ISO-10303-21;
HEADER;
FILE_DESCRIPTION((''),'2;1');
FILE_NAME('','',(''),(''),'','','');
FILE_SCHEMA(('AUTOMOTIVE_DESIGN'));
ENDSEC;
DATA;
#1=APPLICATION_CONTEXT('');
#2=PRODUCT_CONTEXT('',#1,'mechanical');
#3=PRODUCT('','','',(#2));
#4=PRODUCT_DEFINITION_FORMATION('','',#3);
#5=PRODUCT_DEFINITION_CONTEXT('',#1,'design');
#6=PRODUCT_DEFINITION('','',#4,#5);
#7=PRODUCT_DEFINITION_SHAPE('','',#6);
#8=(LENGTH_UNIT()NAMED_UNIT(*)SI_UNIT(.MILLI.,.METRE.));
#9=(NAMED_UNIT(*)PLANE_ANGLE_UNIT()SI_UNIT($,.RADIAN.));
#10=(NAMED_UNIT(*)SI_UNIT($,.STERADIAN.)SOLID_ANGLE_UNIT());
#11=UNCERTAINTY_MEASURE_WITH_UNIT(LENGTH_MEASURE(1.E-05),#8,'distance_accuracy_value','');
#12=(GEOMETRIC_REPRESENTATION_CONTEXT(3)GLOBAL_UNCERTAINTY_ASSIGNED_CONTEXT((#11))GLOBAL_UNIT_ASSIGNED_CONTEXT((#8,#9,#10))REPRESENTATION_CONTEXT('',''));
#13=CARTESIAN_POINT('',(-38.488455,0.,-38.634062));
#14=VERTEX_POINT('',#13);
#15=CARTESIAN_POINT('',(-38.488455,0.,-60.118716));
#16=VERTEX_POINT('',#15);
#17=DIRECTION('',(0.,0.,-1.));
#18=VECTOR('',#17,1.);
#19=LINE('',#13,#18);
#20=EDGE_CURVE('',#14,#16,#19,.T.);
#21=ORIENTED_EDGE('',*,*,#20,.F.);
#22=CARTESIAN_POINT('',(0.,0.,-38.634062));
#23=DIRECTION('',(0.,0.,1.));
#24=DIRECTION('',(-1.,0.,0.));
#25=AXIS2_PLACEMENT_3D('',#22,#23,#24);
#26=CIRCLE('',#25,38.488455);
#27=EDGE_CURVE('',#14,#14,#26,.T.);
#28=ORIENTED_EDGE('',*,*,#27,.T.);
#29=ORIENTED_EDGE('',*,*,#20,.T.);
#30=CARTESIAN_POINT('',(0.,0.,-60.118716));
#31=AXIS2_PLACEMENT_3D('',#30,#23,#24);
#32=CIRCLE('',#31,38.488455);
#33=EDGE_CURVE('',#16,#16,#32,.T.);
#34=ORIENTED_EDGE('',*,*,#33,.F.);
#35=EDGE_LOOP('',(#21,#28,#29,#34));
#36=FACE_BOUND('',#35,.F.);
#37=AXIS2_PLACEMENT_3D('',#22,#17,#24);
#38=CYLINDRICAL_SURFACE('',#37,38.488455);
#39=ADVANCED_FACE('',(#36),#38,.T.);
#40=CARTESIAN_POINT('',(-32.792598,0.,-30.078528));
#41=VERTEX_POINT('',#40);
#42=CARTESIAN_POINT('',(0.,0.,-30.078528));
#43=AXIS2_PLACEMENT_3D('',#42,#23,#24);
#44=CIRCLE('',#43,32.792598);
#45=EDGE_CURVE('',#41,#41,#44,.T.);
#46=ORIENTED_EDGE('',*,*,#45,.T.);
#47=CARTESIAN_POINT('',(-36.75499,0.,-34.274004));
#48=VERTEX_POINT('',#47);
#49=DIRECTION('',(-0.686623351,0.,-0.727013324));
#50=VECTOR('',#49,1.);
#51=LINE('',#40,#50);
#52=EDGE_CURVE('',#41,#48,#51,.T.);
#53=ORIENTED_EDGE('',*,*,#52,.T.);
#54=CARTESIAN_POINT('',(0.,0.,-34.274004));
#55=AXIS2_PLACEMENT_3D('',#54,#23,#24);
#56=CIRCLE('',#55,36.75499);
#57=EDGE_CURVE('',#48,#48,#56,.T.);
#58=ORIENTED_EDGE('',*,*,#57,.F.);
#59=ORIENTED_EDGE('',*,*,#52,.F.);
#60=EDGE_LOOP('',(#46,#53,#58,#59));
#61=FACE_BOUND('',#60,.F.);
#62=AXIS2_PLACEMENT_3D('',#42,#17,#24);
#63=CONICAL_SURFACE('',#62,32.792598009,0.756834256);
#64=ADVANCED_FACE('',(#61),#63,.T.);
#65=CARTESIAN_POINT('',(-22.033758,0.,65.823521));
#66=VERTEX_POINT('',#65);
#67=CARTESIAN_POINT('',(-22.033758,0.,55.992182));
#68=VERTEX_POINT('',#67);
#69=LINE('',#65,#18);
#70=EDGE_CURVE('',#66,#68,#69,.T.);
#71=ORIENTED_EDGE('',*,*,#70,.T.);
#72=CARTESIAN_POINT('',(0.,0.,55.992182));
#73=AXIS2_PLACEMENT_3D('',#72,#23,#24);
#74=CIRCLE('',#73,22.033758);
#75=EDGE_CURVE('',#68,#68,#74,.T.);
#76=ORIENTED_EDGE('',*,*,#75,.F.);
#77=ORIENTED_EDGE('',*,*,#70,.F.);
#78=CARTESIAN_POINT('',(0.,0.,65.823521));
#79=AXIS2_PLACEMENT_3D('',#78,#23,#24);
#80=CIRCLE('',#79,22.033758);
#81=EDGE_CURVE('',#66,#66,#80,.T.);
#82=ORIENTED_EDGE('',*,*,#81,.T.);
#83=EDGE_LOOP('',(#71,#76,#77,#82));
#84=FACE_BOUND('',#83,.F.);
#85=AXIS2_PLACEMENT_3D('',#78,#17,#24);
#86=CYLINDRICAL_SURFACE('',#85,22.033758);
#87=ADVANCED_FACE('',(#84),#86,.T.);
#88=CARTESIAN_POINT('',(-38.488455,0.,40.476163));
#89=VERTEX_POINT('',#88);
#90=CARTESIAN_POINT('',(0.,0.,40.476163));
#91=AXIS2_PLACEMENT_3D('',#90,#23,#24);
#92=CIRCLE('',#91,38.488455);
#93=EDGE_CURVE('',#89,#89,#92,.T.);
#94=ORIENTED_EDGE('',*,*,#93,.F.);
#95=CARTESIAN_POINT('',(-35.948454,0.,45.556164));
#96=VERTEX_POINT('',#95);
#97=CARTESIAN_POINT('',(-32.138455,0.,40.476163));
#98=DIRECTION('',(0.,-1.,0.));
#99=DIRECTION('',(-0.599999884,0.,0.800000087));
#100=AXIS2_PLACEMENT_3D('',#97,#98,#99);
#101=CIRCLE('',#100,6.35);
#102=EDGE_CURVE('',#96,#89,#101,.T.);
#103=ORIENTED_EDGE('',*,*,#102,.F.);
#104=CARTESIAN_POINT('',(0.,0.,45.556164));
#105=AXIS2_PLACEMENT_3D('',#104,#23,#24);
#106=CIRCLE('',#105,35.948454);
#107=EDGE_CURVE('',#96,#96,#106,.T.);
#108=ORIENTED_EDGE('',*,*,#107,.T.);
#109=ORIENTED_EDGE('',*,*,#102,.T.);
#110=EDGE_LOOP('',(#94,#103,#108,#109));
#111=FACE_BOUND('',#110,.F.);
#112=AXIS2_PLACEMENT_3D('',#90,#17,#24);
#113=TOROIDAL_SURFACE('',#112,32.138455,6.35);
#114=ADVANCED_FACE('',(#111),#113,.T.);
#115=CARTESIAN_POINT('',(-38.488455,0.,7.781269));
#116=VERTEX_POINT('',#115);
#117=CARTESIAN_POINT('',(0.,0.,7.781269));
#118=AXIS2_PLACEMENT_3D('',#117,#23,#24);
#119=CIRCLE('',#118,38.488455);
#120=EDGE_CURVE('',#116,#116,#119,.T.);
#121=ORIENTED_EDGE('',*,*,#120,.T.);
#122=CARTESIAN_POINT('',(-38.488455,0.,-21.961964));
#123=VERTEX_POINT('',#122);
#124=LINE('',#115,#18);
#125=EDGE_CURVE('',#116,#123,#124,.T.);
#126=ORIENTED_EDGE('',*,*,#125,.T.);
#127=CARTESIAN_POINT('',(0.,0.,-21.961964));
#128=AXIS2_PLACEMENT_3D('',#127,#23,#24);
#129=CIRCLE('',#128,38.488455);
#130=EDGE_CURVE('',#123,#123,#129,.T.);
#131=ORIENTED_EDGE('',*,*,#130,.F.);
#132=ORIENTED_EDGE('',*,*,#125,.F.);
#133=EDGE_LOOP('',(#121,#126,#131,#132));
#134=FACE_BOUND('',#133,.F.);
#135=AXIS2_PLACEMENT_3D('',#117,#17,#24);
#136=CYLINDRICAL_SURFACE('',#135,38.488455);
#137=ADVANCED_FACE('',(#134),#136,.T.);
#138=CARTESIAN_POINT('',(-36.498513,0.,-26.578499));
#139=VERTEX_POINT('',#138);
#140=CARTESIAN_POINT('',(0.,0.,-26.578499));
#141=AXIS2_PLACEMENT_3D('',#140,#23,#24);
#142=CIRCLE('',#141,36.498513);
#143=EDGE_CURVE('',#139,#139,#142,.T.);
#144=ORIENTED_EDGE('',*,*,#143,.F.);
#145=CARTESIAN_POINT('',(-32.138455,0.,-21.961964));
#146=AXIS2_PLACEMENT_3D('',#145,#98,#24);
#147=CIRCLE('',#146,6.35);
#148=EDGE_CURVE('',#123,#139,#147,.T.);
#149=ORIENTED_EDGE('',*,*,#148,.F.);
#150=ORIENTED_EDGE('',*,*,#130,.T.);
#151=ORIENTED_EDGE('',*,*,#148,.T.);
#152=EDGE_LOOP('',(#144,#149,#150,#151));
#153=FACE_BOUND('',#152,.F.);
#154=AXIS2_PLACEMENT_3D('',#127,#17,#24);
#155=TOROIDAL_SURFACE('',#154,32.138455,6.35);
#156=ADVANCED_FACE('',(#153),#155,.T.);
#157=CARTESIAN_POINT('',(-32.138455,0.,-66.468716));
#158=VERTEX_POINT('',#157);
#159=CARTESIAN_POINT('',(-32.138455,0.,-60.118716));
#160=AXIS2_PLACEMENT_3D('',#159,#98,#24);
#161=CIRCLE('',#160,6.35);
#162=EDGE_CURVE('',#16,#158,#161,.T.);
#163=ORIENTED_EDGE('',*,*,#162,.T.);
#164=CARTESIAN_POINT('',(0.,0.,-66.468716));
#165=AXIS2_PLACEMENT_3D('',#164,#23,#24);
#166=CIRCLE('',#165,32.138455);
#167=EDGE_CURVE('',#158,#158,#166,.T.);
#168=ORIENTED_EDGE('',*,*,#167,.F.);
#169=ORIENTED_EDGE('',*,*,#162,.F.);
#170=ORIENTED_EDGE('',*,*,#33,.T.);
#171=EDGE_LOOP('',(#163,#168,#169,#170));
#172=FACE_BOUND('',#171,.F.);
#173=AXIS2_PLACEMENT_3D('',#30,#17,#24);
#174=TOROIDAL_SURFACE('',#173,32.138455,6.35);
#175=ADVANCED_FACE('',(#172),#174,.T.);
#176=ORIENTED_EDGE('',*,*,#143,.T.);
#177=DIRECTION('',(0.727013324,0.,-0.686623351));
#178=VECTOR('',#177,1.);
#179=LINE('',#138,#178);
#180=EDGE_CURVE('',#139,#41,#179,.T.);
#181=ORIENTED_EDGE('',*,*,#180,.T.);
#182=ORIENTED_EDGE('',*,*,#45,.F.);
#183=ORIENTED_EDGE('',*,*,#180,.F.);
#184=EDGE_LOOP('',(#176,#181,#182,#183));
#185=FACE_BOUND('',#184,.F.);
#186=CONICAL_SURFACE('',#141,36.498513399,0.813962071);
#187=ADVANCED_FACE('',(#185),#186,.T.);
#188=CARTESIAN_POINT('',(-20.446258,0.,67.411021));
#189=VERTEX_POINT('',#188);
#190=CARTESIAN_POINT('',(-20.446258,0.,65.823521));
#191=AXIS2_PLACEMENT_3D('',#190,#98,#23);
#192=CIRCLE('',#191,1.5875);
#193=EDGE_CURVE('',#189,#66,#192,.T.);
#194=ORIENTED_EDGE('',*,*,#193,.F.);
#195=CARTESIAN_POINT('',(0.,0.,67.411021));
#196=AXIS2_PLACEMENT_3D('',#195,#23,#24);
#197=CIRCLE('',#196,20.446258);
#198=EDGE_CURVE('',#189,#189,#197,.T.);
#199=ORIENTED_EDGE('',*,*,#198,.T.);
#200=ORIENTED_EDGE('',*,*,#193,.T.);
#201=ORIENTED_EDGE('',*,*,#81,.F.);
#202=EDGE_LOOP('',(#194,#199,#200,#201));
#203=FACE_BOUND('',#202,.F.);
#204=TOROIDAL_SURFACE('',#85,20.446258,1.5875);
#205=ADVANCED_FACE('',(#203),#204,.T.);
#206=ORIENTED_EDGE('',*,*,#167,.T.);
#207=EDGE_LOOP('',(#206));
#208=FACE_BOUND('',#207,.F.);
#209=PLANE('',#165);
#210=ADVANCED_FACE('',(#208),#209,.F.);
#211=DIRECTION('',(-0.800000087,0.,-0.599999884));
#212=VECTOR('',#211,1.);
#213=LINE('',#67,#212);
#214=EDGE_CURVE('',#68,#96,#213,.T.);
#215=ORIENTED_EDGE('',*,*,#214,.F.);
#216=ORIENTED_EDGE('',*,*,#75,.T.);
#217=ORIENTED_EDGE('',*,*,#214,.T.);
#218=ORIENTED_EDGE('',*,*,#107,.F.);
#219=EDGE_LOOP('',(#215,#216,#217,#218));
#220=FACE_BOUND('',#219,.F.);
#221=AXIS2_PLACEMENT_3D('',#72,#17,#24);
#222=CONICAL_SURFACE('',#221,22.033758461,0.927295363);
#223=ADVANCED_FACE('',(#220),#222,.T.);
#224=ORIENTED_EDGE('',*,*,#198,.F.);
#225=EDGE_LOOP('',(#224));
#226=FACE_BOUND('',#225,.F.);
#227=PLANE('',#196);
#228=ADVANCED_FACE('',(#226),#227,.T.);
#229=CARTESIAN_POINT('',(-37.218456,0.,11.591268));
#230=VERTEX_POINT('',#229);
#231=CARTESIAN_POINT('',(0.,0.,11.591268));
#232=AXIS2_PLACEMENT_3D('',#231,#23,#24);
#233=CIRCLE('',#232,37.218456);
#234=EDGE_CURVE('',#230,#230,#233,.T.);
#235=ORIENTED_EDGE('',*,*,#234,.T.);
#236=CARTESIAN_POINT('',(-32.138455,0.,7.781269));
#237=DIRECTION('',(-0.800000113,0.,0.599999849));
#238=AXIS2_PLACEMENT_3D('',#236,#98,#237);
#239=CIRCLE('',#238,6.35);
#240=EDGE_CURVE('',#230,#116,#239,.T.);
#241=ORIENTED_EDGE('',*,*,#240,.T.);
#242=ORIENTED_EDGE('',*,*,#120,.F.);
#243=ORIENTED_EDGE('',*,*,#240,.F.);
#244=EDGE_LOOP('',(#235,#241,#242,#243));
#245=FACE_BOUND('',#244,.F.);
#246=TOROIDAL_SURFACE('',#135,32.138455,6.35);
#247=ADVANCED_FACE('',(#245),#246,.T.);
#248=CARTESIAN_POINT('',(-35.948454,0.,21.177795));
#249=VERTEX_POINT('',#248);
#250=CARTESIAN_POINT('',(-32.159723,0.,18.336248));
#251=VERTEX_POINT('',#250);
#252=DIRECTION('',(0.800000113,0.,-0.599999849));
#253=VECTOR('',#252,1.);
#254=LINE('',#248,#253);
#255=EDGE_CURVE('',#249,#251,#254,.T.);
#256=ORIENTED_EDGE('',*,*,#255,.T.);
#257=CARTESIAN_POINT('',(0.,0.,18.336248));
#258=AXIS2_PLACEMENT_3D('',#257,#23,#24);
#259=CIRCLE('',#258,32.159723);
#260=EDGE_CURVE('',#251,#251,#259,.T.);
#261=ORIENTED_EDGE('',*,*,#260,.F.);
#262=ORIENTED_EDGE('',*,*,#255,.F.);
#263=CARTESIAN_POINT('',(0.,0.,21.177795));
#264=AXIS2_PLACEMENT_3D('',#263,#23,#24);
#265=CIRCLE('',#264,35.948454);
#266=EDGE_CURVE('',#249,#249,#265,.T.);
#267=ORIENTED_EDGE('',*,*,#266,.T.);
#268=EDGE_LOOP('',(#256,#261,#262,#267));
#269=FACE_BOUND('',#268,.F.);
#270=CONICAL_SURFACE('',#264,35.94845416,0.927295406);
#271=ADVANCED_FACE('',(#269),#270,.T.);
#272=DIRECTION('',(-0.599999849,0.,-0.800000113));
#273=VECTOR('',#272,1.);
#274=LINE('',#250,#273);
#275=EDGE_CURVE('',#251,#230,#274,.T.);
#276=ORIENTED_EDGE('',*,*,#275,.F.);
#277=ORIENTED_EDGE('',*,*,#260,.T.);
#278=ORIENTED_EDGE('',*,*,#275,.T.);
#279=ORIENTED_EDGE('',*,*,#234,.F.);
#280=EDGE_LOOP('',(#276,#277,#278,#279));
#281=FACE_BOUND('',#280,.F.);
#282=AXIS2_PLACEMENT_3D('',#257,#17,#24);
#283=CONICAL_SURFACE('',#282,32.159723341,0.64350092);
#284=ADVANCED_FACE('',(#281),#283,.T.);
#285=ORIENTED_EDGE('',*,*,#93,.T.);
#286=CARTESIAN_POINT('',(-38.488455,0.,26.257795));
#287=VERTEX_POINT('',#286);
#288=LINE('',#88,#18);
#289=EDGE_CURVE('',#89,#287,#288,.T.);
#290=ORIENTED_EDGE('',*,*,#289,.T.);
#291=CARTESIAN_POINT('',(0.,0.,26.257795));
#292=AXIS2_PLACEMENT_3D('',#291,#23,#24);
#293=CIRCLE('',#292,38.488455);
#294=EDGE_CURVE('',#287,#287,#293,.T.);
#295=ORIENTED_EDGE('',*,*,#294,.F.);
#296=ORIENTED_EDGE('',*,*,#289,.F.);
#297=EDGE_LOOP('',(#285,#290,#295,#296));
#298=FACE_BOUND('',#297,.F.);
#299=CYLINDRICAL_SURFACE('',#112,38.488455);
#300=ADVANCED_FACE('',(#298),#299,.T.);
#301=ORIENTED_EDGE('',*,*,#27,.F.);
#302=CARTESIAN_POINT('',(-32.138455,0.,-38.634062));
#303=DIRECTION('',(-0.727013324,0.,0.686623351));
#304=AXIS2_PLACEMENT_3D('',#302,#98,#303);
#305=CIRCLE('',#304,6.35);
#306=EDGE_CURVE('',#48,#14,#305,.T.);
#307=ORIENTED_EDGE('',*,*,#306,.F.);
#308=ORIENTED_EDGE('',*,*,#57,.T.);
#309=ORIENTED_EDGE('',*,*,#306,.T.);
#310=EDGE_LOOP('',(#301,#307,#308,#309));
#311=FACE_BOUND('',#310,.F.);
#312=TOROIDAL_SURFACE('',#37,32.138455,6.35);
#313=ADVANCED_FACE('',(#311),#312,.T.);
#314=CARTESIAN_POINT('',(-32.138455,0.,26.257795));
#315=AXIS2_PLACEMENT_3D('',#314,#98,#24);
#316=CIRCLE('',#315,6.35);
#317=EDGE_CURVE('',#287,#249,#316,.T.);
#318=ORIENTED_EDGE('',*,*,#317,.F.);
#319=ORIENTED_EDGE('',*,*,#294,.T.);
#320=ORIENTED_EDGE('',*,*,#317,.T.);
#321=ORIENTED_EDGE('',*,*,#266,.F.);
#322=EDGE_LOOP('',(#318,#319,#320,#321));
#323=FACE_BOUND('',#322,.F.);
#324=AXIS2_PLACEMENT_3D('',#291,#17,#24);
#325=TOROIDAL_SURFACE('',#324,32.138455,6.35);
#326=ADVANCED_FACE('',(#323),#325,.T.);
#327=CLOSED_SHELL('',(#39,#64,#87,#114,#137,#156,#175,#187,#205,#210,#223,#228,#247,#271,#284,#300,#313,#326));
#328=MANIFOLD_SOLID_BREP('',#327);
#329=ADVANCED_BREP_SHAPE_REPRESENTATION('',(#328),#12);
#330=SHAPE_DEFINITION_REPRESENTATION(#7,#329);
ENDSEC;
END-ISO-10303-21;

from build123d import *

# Parameters (mm, degrees)
F2_DEPTH = 12.7
F1_R     = 22.5055590266
F3_DEPTH = 7.62
F4_W     = 30.1420278847
F4_H     = 17.9640296847
F5_DEPTH = 2.54
F7_DEPTH = 1.27


with BuildPart() as f2:
    # F0 (on Front) → F2 (new body)
    with BuildSketch(Plane.XZ):
        Polygon((16.1803662777, 0), (37.0746999979, 0), (37.0746999979, 26.1179152876), (34.0169928968, 32.2333276272), (31.2140900642, 39.1131713986), (31.2140900642, 43.4449203312), (21.7861626297, 43.4449203312), (21.7861626297, 39.1131713986), (18.7284555286, 32.2333276272), (16.1803662777, 26.1179152876), align=None)
    extrude(amount=F2_DEPTH)


with BuildPart() as f3:
    # F1 (on Front) → F3 (new body)
    with BuildSketch(Plane.XZ):
        with Locations((78.2617554069, 32.2333276272)):
            Circle(F1_R)
    extrude(amount=F3_DEPTH)


with BuildPart() as f5:
    # F4 (on Top) → F5 (new body)
    with BuildSketch(Plane.XY):
        with Locations((-15.0710139424, 8.9820148423)):
            Rectangle(F4_W, F4_H)
    extrude(amount=F5_DEPTH)

    # F6 (on face) → F7 (join)
    with BuildSketch(Plane.XY.offset(2.54)):
        Polygon((-35.7478260994, 4.4591561891), (-30.1420278847, 2.4206847884), (0, 2.4206847884), (2.9831291176, 2.4206847884), (5.0216042437, 4.4591561891), (5.0216042437, 7.2620538995), (2.9831291176, 7.2620538995), (0, 7.2620538995), (-30.1420278847, 7.2620538995), (-32.6901189983, 7.2620538995), (-35.7478260994, 7.2620538995), align=None)
        Polygon((-30.1420278847, 11.8486145511), (0, 11.8486145511), (2.9831291176, 11.8486145511), (5.0216042437, 14.396703802), (0, 14.396703802), (-30.1420278847, 14.396703802), (-32.6901189983, 14.396703802), (-32.6901189983, 11.8486145511), align=None)
    extrude(amount=F7_DEPTH)


with BuildPart() as f12:
    # F11 (on Front) → F12 (revolve)
    with BuildSketch(Plane.XZ):
        with BuildLine():
            Line((0, -66.4687156677), (0, 55.9921823442))
            Line((0, 55.9921823442), (-22.0337584615, 55.9921823442))
            Line((-22.0337584615, 55.9921823442), (-35.9484543807, 45.556163555))
            ThreePointArc((-35.9484543807, 45.556163555), (-37.8180675739, 43.3159697459), (-38.4884551167, 40.476163003))
            Line((-38.4884551167, 40.476163003), (-38.4884551167, 26.2577953691))
            ThreePointArc((-38.4884551167, 26.2577953691), (-37.8180675121, 23.4179885028), (-35.9484541599, 21.1777946515))
            Line((-35.9484541599, 21.1777946515), (-32.1597233415, 18.3362476528))
            Line((-32.1597233415, 18.3362476528), (-37.2184558344, 11.5912683486))
            ThreePointArc((-37.2184558344, 11.5912683486), (-38.1625942485, 9.7893150524), (-38.4884551167, 7.7812693055))
            Line((-38.4884551167, 7.7812693055), (-38.4884551167, -21.9619643911))
            ThreePointArc((-38.4884551167, -21.9619643911), (-37.9697873011, -24.47554052), (-36.4985133985, -26.5784989984))
            Line((-36.4985133985, -26.5784989984), (-32.7925980091, -30.0785284489))
            Line((-32.7925980091, -30.0785284489), (-36.754989724, -34.2740041277))
            ThreePointArc((-36.754989724, -34.2740041277), (-38.0391963734, -36.2880546043), (-38.4884551167, -38.6340624095))
            Line((-38.4884551167, -38.6340624095), (-38.4884551167, -60.1187156677))
            ThreePointArc((-38.4884551167, -60.1187156677), (-36.6285831773, -64.6088437283), (-32.1384551167, -66.4687156677))
            Line((-32.1384551167, -66.4687156677), (0, -66.4687156677))
        make_face()
        with BuildLine():
            Line((0, 55.9921823442), (0, 67.4110209227))
            Line((0, 67.4110209227), (-20.4462584615, 67.4110209227))
            ThreePointArc((-20.4462584615, 67.4110209227), (-21.5687904766, 66.9460529378), (-22.0337584615, 65.8235209227))
            Line((-22.0337584615, 65.8235209227), (-22.0337584615, 55.9921823442))
            Line((-22.0337584615, 55.9921823442), (0, 55.9921823442))
        make_face()
    revolve(axis=Axis((0, 0, 0.4711526275), (0, 0, 1)))


solid = f12.part
